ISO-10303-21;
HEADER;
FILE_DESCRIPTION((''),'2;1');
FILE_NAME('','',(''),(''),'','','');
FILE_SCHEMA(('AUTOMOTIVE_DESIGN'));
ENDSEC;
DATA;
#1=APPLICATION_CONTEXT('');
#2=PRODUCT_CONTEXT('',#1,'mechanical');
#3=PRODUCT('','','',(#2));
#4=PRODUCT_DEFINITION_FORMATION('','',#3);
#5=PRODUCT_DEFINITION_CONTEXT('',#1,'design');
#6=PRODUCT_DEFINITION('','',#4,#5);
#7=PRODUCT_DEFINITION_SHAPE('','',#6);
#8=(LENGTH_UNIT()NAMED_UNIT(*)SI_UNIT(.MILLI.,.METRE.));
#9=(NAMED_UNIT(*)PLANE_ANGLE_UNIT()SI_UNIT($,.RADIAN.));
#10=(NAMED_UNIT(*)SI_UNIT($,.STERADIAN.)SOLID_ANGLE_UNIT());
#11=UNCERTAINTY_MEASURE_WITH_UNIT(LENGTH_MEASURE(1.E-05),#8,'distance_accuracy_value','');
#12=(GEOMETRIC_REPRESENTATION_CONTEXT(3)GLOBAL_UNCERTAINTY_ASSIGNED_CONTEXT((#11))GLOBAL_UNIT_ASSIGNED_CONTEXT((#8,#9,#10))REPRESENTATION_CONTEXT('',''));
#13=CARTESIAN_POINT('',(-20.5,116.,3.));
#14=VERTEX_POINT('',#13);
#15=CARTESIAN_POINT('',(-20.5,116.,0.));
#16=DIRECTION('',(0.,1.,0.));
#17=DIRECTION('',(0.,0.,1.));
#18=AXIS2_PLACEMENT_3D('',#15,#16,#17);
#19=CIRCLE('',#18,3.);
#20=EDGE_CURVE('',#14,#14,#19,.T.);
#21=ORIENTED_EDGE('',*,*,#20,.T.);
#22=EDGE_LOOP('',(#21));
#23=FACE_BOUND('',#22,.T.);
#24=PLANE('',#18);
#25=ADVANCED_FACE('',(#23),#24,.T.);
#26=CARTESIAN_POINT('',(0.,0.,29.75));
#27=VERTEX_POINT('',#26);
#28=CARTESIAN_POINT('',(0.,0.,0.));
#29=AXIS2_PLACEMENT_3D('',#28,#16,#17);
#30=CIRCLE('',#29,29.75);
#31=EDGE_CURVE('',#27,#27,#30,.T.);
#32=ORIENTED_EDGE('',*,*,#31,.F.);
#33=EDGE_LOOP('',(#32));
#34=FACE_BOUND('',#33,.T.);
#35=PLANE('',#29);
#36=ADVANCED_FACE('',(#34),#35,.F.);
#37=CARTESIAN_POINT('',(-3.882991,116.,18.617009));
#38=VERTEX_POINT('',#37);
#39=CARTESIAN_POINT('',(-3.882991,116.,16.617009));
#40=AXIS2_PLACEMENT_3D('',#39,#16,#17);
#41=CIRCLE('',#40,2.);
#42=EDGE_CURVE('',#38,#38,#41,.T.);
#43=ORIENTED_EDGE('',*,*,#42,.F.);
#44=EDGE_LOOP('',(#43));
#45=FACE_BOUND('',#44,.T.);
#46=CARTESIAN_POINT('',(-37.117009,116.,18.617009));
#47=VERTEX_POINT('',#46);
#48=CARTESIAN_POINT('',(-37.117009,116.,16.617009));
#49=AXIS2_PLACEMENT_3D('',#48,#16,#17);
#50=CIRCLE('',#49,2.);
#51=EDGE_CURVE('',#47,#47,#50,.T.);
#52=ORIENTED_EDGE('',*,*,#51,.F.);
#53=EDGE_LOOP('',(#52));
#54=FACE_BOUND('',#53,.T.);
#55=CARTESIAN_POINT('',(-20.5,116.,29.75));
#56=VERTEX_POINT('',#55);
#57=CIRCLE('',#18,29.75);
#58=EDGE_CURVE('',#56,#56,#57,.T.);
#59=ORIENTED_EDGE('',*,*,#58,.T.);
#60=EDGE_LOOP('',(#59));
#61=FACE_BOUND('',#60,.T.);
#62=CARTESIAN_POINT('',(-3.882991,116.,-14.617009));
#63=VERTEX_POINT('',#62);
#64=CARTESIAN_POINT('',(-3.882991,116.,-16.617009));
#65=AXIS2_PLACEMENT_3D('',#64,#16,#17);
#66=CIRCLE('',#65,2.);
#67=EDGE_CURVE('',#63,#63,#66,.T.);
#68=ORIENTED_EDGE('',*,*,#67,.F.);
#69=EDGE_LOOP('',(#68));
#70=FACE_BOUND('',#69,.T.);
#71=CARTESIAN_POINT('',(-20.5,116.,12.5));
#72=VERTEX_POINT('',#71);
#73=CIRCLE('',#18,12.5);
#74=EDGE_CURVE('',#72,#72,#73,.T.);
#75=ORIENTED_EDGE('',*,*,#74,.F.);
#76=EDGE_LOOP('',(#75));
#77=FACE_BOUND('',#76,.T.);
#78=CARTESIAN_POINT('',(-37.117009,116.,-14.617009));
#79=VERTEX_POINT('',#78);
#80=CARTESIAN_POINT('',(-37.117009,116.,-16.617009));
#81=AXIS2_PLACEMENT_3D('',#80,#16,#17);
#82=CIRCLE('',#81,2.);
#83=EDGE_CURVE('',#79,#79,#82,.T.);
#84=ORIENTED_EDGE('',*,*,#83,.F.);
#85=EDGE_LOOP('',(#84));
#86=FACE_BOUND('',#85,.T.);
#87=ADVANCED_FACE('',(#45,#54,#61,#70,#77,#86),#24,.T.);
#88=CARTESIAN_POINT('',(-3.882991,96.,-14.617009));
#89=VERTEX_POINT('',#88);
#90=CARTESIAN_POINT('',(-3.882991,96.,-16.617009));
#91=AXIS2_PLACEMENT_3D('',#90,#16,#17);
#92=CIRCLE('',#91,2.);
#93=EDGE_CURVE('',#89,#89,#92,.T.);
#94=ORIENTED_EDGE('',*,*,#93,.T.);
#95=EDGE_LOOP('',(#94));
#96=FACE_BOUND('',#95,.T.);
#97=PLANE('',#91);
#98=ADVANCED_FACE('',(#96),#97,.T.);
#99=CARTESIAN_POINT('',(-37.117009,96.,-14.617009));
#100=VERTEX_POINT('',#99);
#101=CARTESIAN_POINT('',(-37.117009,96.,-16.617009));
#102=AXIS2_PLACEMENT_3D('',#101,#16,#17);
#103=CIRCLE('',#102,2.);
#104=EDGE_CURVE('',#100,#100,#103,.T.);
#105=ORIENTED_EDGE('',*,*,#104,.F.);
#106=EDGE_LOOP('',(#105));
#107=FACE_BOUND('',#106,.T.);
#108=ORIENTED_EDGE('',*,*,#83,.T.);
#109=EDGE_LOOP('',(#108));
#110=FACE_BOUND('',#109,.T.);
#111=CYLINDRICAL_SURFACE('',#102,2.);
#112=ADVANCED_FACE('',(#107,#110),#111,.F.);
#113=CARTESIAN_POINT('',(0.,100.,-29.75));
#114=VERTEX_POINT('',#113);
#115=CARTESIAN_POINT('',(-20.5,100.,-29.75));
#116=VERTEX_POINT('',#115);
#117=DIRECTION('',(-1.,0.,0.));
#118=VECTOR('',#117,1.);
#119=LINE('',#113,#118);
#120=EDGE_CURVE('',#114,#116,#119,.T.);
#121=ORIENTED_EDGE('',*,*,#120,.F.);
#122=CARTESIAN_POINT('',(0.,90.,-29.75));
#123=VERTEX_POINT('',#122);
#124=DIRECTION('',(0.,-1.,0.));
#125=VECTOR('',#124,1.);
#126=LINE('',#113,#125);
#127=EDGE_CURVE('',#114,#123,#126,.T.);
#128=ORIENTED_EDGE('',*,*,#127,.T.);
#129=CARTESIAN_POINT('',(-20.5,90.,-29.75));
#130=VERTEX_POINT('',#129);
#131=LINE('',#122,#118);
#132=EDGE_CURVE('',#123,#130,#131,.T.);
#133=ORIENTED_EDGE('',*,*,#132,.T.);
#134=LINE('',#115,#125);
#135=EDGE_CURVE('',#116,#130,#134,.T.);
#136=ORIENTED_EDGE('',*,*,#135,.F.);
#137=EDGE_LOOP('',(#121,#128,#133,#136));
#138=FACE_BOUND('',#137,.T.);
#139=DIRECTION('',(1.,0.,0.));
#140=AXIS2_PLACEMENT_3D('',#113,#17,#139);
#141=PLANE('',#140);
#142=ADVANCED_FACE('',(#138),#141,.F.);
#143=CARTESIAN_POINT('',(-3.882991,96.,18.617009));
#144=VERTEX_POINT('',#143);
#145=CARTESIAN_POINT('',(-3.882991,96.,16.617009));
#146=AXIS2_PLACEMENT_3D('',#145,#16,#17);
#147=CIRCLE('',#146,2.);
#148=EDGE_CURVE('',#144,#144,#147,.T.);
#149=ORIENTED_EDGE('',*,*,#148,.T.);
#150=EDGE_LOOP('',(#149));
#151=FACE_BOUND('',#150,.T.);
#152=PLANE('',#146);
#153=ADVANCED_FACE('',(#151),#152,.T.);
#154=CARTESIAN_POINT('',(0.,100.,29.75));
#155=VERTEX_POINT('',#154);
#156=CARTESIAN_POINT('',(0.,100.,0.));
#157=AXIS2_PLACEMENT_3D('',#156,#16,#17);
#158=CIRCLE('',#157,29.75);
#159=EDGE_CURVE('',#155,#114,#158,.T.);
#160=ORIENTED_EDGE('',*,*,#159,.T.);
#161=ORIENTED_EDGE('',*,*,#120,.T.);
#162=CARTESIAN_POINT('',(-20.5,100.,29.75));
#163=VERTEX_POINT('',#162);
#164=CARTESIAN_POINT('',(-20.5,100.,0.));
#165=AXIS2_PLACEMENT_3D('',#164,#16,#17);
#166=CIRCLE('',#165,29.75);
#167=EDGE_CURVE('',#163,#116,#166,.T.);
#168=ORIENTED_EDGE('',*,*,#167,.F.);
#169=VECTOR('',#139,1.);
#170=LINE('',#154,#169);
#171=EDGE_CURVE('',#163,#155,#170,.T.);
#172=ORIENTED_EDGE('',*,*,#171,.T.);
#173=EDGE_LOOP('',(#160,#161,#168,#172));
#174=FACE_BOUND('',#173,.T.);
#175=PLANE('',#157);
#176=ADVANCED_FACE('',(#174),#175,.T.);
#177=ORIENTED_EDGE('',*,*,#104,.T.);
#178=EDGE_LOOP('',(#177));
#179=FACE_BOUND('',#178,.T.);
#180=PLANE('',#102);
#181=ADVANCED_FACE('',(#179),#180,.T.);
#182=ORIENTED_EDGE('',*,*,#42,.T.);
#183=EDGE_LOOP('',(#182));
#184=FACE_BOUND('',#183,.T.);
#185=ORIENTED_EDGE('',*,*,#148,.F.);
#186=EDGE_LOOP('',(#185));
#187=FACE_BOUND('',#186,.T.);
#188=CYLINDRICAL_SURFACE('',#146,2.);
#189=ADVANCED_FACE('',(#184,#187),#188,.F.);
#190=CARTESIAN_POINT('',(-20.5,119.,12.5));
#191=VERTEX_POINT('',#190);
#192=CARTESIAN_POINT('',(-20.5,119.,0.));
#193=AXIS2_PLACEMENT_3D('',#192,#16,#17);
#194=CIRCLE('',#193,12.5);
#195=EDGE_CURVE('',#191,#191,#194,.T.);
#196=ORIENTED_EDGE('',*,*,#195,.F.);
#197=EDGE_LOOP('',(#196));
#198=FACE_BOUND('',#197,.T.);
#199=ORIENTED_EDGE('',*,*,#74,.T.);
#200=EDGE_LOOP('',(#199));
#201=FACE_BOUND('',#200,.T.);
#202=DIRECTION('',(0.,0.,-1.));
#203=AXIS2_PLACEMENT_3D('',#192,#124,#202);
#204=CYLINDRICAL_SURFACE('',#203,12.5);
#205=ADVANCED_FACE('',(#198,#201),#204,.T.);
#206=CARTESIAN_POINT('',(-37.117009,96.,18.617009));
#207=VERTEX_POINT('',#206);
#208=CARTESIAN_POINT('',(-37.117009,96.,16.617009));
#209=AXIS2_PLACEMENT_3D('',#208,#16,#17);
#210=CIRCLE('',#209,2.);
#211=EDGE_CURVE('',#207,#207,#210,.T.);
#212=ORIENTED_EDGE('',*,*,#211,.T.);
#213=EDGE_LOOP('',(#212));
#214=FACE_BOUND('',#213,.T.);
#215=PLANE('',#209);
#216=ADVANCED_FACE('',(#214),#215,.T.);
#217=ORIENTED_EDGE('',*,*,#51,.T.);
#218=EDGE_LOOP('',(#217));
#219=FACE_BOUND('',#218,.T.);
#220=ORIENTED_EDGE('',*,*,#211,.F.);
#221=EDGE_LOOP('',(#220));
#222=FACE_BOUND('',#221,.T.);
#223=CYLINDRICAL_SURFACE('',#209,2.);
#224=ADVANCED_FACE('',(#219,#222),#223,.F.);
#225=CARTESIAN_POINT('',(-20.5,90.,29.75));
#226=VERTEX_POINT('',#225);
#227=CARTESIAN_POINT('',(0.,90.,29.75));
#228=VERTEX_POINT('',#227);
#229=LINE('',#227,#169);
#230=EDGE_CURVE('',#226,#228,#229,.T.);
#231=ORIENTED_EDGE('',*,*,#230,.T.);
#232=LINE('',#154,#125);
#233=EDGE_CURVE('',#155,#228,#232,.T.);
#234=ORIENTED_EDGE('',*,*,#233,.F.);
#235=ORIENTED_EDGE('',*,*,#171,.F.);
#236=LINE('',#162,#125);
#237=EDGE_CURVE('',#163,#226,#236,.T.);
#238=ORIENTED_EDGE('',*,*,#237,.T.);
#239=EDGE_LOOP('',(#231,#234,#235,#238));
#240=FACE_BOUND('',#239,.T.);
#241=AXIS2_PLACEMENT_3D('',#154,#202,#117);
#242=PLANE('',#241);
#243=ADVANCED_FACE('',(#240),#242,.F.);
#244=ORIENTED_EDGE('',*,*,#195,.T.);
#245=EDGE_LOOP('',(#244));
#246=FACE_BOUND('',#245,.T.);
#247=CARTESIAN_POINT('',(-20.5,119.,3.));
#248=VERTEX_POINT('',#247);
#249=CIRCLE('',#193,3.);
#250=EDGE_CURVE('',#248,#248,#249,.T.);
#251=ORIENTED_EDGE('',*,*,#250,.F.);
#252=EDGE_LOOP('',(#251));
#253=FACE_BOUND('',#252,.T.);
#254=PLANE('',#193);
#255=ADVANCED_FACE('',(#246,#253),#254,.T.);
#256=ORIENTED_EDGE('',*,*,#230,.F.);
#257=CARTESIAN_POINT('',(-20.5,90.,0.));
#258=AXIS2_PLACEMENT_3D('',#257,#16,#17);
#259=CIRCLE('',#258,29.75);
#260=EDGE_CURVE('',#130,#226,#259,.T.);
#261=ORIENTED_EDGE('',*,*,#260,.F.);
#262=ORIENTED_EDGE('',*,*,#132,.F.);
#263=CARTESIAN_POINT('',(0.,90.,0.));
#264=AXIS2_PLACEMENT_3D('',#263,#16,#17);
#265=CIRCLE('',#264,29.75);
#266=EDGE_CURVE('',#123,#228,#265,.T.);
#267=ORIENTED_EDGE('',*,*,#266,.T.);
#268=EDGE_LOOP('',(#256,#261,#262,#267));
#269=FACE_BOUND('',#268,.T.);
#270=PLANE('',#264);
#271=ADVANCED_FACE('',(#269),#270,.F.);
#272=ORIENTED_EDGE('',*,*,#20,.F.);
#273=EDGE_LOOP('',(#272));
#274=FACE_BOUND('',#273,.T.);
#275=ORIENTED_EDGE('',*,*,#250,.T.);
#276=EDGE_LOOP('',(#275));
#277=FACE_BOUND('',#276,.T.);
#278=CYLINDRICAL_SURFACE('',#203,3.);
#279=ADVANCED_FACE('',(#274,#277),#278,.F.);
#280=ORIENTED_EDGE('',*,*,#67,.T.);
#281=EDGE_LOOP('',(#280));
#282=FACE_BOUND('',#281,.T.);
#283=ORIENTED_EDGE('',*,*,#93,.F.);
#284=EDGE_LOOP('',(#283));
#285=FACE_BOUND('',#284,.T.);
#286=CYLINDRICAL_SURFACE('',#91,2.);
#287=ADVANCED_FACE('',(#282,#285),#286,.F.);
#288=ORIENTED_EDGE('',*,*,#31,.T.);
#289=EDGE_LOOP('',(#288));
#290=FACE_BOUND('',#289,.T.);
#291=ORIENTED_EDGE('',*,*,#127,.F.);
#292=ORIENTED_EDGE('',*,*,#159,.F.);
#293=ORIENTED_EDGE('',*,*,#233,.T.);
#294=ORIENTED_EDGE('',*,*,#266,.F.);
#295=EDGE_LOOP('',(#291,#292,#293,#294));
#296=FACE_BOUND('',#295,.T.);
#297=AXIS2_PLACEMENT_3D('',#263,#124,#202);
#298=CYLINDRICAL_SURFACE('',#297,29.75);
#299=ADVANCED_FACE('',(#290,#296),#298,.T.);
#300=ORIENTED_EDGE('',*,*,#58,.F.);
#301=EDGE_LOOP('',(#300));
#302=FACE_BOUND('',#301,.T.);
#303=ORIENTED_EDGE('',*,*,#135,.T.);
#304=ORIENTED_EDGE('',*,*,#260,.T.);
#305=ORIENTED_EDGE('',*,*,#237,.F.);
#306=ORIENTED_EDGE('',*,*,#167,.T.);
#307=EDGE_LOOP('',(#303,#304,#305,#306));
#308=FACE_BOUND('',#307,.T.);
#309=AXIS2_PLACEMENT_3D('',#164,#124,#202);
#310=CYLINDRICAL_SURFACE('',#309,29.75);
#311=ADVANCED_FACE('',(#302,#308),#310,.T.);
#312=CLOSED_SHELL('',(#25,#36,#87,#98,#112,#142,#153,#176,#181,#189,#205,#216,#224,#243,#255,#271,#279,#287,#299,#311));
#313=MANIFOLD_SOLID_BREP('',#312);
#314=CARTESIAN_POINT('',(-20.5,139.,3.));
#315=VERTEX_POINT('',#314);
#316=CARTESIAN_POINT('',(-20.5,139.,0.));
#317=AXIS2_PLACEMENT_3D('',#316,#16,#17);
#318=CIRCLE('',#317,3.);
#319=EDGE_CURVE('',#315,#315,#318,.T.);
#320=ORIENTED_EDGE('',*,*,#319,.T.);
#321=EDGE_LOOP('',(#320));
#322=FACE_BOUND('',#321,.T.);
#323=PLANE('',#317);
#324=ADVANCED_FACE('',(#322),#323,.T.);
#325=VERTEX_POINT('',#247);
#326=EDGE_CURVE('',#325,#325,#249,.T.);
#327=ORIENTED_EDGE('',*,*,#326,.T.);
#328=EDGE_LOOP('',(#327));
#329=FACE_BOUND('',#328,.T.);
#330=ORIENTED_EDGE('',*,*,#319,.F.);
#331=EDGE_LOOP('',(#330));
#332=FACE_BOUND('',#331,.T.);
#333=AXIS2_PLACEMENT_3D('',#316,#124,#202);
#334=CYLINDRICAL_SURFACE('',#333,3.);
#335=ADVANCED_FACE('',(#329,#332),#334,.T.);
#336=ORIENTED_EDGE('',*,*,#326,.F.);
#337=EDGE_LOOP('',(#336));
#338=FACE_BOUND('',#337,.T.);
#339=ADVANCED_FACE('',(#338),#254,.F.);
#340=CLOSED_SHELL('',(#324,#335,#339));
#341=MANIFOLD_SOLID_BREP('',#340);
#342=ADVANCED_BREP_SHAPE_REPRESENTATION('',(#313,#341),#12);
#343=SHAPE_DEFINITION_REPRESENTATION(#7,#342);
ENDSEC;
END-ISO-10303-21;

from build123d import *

# Parameters (mm, degrees)
SKETCH1_R           = 29.75
BOSS_EXTRUDE1_DEPTH = 90
BOSS_EXTRUDE2_DEPTH = 10
SKETCH3_R           = 29.75
BOSS_EXTRUDE3_DEPTH = 16
SKETCH4_R           = 12.5
SKETCH4_R_2         = 3
BOSS_EXTRUDE4_DEPTH = 3
SKETCH7_R           = 3
BOSS_EXTRUDE5_DEPTH = 20
SKETCH8_R           = 2
CUT_EXTRUDE1_DEPTH  = 20


with BuildPart() as part:
    # Sketch1 → Boss-Extrude1 (new body)
    with BuildSketch(Plane(origin=(0, 0, 0), x_dir=(1, 0, 0), z_dir=(0, 1, 0))):
        with Locations(Location((0, 0, 0), (0, 0, 90))):
            Circle(SKETCH1_R)
    extrude(amount=BOSS_EXTRUDE1_DEPTH)

    # Sketch2 → Boss-Extrude2 (add)
    with BuildSketch(Plane(origin=(0, 90, 0), x_dir=(1, 0, 0), z_dir=(0, 1, 0))):
        with BuildLine():
            Line((0, -29.75), (-20.5, -29.75))
            ThreePointArc((-20.5, -29.75), (-50.25, 0), (-20.5, 29.75))
            Line((-20.5, 29.75), (0, 29.75))
            ThreePointArc((0, 29.75), (29.75, 0), (0, -29.75))
        make_face()
    extrude(amount=BOSS_EXTRUDE2_DEPTH)

    # Sketch3 → Boss-Extrude3 (add)
    with BuildSketch(Plane(origin=(0, 100, 0), x_dir=(1, 0, 0), z_dir=(0, 1, 0))):
        with Locations(Location((-20.5, 0, 0), (0, 0, 270))):
            Circle(SKETCH3_R)
    extrude(amount=BOSS_EXTRUDE3_DEPTH)

    # Sketch4 → Boss-Extrude4 (add)
    with BuildSketch(Plane(origin=(0, 116, 0), x_dir=(1, 0, 0), z_dir=(0, 1, 0))):
        with Locations(Location((-20.5, 0, 0), (0, 0, 270))):
            Circle(SKETCH4_R)
        with Locations(Location((-20.5, 0, 0), (0, 0, 270))):
            Circle(SKETCH4_R_2, mode=Mode.SUBTRACT)
    extrude(amount=BOSS_EXTRUDE4_DEPTH)

    # Sketch8 → Cut-Extrude1 (cut)
    with BuildSketch(Plane(origin=(0, 116, 0), x_dir=(1, 0, 0), z_dir=(0, 1, 0))):
        with Locations(Location((-37.117009358, 16.617009358, 0), (0, 0, 270))):
            Circle(SKETCH8_R)
        with Locations(Location((-37.117009358, -16.617009358, 0), (0, 0, 270))):
            Circle(SKETCH8_R)
        with Locations(Location((-3.882990642, -16.617009358, 0), (0, 0, 270))):
            Circle(SKETCH8_R)
        with Locations(Location((-3.882990642, 16.617009358, 0), (0, 0, 270))):
            Circle(SKETCH8_R)
    extrude(amount=-CUT_EXTRUDE1_DEPTH, mode=Mode.SUBTRACT)


with BuildPart() as body_2:
    # Sketch7 → Boss-Extrude5 (new body)
    with BuildSketch(Plane(origin=(0, 119, 0), x_dir=(1, 0, 0), z_dir=(0, 1, 0))):
        with Locations(Location((-20.5, 0, 0), (0, 0, 270))):
            Circle(SKETCH7_R)
    extrude(amount=BOSS_EXTRUDE5_DEPTH)


solid = Compound([part.part, body_2.part])
